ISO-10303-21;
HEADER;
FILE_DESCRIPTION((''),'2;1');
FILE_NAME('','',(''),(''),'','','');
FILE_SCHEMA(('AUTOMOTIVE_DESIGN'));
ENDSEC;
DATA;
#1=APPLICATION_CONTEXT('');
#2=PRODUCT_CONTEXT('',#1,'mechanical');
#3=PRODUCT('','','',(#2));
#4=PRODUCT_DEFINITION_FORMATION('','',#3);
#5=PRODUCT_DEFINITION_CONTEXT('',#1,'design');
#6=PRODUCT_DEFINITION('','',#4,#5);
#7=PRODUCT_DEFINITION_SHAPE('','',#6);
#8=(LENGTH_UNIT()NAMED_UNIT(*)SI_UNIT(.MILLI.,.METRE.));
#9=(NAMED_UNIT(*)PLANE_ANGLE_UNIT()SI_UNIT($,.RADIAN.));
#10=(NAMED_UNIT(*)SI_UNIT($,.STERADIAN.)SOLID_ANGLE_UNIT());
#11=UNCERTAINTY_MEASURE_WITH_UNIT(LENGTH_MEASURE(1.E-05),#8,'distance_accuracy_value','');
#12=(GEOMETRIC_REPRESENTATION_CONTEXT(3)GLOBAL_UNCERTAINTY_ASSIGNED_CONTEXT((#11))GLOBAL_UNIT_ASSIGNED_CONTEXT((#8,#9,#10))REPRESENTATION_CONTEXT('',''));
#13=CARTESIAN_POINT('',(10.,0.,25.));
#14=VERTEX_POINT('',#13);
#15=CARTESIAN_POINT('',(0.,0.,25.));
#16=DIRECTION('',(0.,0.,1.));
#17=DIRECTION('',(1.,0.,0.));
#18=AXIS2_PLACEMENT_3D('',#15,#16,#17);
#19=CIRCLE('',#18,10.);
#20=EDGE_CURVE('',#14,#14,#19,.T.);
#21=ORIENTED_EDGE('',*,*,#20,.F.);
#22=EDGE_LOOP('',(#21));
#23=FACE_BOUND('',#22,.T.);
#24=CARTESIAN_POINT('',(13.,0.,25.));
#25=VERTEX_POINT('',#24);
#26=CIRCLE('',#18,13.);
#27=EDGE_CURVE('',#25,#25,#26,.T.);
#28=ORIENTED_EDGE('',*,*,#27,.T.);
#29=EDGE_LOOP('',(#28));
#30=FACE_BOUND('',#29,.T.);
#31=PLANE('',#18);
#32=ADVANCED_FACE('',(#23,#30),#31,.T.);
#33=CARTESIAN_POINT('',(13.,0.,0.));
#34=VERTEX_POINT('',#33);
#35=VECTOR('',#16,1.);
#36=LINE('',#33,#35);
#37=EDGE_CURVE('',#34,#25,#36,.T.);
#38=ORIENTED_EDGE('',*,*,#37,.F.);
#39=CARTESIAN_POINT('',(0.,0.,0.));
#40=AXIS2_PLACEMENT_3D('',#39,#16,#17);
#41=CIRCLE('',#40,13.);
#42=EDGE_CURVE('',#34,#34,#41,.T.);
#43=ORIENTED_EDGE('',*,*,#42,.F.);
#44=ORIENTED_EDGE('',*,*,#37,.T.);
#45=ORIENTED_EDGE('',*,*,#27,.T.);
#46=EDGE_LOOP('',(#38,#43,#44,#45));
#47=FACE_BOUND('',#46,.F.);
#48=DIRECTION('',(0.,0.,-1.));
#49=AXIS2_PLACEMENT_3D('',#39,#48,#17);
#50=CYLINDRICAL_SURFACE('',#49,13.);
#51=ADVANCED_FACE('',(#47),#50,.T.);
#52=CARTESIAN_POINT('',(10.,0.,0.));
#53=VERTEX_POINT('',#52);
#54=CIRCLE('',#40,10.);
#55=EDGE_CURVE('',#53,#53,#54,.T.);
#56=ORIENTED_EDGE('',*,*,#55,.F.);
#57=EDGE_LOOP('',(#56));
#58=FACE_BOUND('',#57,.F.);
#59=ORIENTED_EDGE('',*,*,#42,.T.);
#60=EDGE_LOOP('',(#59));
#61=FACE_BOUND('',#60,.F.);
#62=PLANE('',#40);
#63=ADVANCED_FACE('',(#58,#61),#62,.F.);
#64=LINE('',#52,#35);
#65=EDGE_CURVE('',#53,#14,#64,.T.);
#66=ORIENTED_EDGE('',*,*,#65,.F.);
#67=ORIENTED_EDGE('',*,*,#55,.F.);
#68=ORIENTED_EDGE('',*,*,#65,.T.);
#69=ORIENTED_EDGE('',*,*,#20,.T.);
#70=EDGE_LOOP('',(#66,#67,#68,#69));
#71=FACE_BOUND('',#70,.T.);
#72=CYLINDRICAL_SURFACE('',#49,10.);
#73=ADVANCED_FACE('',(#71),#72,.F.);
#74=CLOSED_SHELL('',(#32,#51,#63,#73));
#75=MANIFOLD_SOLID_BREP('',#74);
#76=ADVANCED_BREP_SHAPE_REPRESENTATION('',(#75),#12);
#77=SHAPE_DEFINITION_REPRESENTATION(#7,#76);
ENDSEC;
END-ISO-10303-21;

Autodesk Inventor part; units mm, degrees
ref_plane "YZ Plane" through (0, 0, 0) normal (1, 0, 0) x (0, 1, 0)
ref_plane "XZ Plane" through (0, 0, 0) normal (0, 1, 0) x (-1, 0, 0)
ref_plane "XY Plane" through (0, 0, 0) normal (0, 0, 1) x (1, 0, 0)
sketch "Sketch1" plane through (0, 0, 0) normal (0, 0, 1) x (1, 0, 0)
  circle A0 centre (0, 0) radius 10
  circle A1 centre (0, 0) radius 13
  dimension "d0" = 20
  dimension "d1" = 26
extrude "Extrusion1" add sketch "Sketch1" along normal blind 25
properties part number "Middle Thread"
